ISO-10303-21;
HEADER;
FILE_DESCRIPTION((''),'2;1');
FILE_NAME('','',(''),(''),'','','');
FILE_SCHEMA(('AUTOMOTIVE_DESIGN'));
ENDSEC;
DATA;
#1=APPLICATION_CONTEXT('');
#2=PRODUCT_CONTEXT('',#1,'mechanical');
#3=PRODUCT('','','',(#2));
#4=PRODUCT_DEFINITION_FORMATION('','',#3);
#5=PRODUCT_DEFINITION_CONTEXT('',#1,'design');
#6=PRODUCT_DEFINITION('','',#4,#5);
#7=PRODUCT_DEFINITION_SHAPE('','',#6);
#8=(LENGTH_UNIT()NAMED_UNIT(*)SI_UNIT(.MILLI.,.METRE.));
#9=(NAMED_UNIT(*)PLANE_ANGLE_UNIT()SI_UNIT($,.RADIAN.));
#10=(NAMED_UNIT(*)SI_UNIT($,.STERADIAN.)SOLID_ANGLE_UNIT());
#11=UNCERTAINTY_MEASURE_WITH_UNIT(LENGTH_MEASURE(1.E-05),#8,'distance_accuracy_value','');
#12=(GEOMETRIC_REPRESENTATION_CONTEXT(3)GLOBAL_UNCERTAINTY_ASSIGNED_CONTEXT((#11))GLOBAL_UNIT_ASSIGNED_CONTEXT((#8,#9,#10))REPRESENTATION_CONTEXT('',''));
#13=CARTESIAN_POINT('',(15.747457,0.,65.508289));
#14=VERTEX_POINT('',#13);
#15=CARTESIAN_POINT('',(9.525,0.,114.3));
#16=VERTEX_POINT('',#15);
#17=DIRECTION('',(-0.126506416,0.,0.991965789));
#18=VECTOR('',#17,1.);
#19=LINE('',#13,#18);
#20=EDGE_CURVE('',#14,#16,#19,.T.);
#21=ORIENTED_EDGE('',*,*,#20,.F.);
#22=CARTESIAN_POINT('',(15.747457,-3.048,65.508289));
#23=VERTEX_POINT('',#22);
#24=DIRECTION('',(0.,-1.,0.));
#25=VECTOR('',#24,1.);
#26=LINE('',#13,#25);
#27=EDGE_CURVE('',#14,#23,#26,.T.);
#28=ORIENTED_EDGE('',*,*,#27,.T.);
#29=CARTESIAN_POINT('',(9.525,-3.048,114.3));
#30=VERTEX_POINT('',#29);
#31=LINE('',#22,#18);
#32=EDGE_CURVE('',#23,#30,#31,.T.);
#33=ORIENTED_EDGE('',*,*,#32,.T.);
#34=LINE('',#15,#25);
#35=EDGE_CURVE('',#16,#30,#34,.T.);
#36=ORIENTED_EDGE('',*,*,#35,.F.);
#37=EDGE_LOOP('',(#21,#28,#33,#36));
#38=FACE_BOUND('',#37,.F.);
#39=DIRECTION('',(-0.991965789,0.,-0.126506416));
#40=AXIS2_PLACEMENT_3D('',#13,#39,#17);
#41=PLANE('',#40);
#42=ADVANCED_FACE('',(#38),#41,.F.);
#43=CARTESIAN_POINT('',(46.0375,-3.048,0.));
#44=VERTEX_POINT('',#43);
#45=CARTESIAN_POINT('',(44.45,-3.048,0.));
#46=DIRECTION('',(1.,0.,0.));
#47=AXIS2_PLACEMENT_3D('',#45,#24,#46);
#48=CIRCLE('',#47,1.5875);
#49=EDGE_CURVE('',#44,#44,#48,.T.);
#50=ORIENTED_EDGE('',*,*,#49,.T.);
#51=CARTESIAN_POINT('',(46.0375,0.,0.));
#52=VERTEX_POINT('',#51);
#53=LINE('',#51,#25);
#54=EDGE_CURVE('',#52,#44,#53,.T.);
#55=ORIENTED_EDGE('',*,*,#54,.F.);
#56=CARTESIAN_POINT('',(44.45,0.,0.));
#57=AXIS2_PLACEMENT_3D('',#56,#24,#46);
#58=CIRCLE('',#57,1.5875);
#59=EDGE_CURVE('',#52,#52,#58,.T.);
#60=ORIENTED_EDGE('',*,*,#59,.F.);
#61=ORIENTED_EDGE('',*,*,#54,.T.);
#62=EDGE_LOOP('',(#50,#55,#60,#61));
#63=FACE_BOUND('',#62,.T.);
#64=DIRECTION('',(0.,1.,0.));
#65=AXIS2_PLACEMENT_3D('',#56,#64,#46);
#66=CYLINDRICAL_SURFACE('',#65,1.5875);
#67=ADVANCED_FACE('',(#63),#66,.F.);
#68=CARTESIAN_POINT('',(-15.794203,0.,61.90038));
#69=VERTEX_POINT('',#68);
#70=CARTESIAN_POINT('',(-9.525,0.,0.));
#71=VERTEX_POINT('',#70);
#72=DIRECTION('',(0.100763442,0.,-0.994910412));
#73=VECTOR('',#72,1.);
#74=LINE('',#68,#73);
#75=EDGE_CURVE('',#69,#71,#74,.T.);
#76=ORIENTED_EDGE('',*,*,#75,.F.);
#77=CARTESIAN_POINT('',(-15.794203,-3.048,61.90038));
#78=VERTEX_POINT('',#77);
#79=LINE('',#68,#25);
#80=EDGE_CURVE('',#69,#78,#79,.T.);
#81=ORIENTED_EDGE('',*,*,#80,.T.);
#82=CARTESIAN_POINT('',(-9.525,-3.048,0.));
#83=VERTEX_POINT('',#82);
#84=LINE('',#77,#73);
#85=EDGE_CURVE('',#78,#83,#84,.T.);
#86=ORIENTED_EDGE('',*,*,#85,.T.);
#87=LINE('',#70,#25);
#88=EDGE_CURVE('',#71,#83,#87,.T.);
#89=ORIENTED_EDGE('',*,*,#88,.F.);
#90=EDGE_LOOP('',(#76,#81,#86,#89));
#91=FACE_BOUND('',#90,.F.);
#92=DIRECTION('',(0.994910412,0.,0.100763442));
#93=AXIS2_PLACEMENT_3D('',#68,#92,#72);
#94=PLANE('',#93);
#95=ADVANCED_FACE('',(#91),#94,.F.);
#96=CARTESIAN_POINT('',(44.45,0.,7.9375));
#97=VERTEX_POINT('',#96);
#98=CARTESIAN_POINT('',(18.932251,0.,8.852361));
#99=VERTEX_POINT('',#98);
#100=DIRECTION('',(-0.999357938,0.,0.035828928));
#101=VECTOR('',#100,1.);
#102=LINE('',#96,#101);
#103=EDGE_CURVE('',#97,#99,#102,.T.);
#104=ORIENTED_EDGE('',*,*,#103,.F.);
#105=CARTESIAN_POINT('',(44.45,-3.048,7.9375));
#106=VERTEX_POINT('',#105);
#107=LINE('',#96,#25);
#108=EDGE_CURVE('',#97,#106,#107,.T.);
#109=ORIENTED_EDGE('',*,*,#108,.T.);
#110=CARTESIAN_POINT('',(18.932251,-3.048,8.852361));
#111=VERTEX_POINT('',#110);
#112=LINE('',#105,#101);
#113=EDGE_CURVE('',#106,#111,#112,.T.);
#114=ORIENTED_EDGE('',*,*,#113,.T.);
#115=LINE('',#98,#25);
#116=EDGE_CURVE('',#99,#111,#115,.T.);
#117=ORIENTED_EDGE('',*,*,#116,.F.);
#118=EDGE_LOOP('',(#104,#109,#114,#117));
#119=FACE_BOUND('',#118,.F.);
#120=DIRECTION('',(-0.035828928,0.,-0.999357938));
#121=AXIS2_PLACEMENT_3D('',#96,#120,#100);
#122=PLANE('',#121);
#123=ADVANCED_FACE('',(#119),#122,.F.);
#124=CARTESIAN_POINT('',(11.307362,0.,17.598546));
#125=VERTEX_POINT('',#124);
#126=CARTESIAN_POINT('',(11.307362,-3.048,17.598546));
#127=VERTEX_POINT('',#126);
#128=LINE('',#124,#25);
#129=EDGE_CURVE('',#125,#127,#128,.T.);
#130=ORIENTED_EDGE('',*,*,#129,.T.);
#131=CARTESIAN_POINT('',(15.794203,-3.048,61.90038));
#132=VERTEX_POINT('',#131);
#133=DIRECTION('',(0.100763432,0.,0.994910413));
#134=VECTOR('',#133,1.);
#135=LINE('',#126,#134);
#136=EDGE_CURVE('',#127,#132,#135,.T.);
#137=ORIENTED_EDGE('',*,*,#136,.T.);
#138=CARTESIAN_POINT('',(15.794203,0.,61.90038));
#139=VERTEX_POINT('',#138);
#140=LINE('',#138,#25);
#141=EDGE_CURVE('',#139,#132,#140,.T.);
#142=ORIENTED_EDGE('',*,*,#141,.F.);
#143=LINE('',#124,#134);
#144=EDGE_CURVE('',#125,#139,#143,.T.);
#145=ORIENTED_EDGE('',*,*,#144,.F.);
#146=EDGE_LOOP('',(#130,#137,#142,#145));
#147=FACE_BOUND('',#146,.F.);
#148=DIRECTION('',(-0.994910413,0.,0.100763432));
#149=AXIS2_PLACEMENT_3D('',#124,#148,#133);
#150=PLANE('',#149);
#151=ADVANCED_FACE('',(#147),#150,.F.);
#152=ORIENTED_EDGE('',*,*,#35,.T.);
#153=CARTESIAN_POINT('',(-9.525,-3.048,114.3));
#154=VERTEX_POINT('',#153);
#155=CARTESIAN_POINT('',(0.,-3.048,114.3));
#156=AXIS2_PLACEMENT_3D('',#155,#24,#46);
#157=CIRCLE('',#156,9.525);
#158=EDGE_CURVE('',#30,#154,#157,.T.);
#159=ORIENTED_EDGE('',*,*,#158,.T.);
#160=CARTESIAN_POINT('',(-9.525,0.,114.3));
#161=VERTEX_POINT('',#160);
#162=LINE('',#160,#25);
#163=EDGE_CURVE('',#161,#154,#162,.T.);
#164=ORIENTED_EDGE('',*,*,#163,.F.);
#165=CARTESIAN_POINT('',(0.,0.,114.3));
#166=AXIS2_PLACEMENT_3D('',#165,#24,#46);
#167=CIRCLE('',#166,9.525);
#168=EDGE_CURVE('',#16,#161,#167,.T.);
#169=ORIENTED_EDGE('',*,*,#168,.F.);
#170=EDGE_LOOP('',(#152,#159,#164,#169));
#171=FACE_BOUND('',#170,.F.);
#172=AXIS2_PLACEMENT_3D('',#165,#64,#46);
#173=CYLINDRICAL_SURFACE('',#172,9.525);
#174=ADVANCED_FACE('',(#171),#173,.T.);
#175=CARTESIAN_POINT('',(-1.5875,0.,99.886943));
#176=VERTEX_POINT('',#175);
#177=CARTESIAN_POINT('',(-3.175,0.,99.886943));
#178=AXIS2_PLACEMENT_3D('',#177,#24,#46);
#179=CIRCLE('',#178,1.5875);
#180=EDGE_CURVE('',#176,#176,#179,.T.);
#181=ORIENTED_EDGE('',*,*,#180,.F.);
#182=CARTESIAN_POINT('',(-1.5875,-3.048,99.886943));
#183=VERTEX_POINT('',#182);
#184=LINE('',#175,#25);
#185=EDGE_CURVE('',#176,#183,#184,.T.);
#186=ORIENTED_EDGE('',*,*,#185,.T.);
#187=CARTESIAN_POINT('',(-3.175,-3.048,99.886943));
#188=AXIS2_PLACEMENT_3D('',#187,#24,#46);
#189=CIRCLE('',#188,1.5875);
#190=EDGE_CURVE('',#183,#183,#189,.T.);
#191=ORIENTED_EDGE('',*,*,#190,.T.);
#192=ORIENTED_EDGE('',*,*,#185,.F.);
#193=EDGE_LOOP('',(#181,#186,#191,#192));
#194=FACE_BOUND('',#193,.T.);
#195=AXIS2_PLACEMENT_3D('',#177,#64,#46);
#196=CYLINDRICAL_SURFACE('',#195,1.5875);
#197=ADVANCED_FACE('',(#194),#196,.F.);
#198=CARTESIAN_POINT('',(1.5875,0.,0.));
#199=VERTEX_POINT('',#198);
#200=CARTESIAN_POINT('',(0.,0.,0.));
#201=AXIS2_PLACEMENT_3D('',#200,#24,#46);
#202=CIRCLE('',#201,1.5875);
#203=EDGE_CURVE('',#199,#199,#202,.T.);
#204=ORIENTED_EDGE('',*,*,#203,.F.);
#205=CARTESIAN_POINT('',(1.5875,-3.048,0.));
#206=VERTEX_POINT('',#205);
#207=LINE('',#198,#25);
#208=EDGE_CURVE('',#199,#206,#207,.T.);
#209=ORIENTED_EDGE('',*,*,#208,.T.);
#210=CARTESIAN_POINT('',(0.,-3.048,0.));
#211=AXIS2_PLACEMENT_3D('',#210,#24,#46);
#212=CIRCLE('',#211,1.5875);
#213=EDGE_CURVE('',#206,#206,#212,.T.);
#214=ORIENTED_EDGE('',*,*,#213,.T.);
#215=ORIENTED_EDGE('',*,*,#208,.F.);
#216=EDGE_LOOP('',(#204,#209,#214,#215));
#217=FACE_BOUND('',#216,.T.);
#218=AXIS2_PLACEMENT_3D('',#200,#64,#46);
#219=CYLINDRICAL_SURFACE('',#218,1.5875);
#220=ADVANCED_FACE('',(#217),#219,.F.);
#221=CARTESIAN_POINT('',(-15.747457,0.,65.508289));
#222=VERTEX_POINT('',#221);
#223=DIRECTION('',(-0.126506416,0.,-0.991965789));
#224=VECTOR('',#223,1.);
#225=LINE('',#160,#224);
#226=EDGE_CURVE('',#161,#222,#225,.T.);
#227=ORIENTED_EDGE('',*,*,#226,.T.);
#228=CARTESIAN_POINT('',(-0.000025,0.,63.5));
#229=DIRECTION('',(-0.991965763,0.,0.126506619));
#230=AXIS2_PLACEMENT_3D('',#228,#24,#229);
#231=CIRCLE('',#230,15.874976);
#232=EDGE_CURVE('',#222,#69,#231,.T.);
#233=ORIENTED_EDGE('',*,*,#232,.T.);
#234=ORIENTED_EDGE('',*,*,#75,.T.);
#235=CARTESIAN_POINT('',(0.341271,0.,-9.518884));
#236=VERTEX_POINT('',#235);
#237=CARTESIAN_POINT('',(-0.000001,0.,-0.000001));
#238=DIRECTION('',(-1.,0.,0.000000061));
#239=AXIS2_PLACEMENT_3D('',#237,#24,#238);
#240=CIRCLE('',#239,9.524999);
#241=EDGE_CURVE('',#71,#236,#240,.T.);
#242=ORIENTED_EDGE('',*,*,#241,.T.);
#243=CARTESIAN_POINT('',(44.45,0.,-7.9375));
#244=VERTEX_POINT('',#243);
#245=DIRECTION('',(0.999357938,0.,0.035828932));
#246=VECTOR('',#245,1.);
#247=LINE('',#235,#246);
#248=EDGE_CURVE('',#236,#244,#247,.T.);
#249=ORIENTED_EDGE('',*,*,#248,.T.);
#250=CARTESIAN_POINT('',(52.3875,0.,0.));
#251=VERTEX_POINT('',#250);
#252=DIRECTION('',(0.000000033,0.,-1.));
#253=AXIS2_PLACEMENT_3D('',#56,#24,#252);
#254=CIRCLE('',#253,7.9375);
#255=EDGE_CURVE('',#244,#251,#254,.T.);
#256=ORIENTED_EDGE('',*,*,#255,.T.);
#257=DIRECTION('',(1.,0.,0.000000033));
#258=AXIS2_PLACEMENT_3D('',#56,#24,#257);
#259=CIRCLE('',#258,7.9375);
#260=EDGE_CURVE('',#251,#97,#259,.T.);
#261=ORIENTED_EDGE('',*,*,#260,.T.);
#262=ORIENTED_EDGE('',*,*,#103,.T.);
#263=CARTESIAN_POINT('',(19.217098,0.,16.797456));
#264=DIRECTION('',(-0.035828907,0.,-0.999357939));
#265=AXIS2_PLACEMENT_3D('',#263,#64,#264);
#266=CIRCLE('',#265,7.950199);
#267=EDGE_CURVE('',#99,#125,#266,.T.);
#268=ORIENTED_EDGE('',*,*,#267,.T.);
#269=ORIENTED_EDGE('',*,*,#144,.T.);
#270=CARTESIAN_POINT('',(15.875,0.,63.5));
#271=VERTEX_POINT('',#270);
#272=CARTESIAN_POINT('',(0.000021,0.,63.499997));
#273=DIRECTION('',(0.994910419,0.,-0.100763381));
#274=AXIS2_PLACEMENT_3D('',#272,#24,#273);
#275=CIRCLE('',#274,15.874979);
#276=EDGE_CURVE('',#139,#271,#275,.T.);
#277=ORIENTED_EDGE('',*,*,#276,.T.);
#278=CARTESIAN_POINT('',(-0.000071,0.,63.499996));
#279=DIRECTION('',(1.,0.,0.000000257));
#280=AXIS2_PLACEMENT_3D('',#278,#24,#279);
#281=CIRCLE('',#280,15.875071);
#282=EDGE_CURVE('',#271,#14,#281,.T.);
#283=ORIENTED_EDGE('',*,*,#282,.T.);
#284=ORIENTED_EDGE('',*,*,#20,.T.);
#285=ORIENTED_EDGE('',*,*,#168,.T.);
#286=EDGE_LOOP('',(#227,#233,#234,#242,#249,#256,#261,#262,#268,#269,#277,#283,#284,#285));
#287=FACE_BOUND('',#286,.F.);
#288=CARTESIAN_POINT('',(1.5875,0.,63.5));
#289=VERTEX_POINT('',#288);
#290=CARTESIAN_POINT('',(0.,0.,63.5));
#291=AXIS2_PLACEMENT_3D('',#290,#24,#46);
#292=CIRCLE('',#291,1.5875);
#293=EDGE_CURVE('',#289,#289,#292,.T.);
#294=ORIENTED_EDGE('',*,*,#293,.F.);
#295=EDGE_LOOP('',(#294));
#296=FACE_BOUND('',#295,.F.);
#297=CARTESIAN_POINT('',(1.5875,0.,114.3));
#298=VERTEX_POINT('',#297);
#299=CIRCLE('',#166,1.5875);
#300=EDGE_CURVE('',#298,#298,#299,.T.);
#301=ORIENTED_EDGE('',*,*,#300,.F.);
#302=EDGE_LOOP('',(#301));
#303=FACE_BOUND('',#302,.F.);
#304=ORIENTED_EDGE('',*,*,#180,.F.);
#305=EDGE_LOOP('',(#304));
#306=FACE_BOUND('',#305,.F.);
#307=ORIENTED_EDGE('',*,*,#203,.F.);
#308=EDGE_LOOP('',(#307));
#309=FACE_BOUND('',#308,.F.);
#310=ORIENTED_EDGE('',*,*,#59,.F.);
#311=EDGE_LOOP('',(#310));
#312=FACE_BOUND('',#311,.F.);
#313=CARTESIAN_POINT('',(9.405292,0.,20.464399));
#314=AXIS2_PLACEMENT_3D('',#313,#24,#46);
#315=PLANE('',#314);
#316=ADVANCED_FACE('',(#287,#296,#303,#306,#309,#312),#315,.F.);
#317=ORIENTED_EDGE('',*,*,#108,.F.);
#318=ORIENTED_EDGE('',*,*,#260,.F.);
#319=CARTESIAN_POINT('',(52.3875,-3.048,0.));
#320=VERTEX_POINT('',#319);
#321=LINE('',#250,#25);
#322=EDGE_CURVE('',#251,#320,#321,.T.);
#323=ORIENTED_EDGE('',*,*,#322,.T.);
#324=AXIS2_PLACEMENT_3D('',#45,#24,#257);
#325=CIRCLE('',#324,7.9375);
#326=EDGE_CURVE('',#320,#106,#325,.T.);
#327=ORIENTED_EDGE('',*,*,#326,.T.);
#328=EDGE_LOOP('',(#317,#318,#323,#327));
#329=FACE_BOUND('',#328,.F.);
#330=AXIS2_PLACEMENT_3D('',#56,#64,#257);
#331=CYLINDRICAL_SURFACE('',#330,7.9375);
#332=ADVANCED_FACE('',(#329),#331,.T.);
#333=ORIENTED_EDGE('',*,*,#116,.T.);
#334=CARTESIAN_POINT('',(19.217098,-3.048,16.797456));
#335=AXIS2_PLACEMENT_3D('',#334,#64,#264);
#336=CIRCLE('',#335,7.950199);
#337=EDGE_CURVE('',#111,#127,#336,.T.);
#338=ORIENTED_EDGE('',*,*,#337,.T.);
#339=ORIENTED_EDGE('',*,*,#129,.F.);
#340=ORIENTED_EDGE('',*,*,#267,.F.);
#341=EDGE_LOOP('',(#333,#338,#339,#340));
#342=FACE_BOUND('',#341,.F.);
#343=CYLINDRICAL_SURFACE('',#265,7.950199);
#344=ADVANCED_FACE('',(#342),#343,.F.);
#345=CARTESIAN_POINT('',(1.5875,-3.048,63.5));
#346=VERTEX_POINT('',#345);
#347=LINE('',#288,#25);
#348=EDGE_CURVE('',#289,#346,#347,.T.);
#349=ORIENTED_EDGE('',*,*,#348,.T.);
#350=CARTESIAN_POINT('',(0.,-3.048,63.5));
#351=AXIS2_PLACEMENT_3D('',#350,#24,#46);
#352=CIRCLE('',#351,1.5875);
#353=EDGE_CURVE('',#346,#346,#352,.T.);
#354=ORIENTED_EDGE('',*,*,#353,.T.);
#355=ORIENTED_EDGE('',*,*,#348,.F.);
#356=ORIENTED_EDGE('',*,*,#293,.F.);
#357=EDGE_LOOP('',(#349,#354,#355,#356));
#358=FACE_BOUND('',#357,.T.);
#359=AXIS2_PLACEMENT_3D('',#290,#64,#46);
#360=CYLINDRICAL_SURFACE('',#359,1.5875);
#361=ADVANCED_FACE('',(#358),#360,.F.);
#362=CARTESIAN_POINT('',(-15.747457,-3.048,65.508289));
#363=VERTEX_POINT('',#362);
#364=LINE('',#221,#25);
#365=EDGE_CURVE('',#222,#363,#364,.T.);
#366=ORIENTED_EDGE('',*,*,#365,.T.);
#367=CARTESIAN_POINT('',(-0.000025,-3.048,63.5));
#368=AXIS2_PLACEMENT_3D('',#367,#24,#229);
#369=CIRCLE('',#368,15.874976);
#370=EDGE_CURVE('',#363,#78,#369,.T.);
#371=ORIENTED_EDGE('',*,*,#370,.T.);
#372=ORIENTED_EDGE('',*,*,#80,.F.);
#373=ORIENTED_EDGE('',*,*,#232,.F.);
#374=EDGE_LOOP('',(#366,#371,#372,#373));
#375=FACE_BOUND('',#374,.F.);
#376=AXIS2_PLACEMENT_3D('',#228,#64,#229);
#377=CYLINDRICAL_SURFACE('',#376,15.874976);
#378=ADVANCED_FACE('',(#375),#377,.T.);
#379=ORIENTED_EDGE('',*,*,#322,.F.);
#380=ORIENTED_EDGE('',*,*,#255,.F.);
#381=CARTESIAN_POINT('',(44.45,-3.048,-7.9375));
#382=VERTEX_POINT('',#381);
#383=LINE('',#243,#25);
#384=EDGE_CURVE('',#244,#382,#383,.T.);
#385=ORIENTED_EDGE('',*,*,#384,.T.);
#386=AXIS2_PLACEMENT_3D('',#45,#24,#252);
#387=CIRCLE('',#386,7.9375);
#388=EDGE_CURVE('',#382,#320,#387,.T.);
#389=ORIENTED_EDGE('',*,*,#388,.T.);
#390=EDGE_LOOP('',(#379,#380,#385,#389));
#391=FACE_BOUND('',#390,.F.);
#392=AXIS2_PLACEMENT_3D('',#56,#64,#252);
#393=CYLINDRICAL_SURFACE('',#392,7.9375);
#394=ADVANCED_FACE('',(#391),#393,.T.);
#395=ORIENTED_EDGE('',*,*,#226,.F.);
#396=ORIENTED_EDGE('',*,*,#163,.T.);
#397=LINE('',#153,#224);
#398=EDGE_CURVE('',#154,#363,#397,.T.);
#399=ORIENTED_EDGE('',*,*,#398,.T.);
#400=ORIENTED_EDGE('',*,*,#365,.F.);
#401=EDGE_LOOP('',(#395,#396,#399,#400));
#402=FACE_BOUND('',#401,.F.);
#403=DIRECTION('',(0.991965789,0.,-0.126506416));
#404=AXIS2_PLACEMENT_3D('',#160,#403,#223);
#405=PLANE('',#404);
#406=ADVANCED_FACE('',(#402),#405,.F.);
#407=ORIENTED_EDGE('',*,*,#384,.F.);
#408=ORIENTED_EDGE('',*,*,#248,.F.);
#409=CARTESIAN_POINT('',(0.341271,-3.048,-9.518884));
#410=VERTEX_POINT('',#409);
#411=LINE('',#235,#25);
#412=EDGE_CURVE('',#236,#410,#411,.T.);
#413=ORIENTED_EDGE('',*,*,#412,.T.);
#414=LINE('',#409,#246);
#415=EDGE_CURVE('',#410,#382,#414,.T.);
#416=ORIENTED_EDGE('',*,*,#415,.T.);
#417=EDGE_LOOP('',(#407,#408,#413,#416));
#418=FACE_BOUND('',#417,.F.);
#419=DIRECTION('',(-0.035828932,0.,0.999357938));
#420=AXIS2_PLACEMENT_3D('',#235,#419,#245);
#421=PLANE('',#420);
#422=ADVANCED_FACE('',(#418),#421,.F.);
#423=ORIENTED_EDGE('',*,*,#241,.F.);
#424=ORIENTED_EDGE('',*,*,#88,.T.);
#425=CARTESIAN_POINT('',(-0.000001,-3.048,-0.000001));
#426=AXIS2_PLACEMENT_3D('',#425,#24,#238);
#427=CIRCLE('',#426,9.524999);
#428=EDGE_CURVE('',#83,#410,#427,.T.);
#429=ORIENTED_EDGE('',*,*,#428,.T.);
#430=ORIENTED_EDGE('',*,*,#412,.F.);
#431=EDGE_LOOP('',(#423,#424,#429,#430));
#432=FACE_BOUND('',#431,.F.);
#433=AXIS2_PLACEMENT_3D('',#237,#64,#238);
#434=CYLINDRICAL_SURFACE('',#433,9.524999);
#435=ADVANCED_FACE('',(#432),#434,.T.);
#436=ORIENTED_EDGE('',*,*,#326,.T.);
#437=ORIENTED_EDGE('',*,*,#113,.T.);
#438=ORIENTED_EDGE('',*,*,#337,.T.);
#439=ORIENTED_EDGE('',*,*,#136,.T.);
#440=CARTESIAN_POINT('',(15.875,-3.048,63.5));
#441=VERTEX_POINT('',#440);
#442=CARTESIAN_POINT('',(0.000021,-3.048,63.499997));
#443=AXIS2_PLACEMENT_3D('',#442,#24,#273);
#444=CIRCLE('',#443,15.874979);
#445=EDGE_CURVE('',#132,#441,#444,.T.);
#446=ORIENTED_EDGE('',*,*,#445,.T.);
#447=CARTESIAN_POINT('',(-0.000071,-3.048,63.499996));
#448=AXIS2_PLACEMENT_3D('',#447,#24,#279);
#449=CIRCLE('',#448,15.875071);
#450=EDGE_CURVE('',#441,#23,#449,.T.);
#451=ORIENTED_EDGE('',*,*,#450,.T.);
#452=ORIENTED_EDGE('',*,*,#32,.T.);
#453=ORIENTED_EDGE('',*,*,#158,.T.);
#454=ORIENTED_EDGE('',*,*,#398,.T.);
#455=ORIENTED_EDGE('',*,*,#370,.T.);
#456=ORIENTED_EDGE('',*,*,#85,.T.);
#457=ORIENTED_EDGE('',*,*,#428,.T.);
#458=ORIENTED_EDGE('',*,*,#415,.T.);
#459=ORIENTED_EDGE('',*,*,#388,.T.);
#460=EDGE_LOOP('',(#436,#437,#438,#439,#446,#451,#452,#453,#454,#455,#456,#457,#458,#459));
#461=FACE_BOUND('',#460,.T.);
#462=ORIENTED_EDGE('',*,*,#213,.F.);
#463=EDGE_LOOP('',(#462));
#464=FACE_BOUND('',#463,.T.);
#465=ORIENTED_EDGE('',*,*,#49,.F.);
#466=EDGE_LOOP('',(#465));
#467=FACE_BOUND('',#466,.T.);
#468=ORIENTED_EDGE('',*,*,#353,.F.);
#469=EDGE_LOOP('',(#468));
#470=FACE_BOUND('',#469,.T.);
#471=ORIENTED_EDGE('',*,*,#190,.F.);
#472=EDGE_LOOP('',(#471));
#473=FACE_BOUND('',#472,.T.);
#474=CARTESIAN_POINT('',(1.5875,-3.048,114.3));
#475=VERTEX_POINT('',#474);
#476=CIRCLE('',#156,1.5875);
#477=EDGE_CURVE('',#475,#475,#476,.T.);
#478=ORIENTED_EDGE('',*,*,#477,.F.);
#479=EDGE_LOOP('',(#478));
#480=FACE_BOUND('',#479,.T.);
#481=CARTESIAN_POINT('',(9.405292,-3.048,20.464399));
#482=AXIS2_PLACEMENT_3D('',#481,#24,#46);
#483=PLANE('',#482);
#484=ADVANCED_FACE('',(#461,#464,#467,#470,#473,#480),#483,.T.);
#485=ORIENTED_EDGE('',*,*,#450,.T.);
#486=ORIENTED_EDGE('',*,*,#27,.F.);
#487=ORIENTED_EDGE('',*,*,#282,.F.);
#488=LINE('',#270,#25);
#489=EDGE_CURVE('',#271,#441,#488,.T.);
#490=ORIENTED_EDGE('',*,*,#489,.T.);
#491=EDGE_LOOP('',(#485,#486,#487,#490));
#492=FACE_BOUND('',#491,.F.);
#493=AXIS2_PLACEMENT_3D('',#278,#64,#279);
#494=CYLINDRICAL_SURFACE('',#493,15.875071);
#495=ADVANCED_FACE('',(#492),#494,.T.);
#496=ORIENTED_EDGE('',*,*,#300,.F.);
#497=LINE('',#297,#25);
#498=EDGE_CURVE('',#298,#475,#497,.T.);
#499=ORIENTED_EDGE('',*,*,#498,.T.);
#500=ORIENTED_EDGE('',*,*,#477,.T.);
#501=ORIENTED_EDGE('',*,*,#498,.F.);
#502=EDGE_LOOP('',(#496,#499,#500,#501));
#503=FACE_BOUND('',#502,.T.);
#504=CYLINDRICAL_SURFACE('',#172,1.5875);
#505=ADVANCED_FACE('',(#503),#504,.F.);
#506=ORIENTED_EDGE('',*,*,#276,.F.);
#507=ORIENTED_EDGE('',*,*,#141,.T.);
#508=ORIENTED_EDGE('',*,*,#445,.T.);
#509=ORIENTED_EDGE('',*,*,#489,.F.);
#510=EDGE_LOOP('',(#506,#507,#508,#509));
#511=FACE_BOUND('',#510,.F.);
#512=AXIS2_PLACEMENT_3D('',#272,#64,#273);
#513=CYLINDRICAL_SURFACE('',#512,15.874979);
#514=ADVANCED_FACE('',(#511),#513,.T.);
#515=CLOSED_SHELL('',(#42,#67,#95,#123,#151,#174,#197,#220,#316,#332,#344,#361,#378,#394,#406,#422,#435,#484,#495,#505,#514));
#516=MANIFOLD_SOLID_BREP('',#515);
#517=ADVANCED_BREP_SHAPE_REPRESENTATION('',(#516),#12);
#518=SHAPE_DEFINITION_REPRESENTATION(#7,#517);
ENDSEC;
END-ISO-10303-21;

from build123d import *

# Parameters (mm, degrees)
F0_R     = 1.5875
F1_DEPTH = 3.048


with BuildPart() as f1:
    # F0 (on Front) → F1 (new body)
    with BuildSketch(Plane.XZ):
        with BuildLine():
            ThreePointArc((15.794203, 61.90038), (0, 47.625), (-15.794203, 61.90038))
            Line((-15.794203, 61.90038), (-9.525, 0))
            ThreePointArc((-9.525, 0), (0, 9.525), (9.525, 0))
            ThreePointArc((9.525, 0), (6.854788, -6.613434), (0.341271, -9.518884))
            Line((0.341271, -9.518884), (44.45, -7.9375))
            ThreePointArc((44.45, -7.9375), (36.5125, 0), (44.45, 7.9375))
            Line((44.45, 7.9375), (18.932251, 8.852361))
            ThreePointArc((18.932251, 8.852361), (13.224458, 11.573096), (11.307362, 17.598546))
            Line((11.307362, 17.598546), (15.794203, 61.90038))
        make_face()
        with BuildLine():
            Line((15.747457, 65.508289), (9.525, 114.3))
            ThreePointArc((9.525, 114.3), (0, 104.775), (-9.525, 114.3))
            Line((-9.525, 114.3), (-15.747457, 65.508289))
            ThreePointArc((-15.747457, 65.508289), (0, 79.375), (15.747457, 65.508289))
        make_face()
        with Locations((-3.175, 99.886943)):
            Circle(F0_R, mode=Mode.SUBTRACT)
        with BuildLine():
            ThreePointArc((15.875, 63.5), (15.843082, 64.506168), (15.747457, 65.508289))
            ThreePointArc((15.747457, 65.508289), (0, 79.375), (-15.747457, 65.508289))
            ThreePointArc((-15.747457, 65.508289), (-15.873668, 63.705667), (-15.794203, 61.90038))
            ThreePointArc((-15.794203, 61.90038), (0, 47.625), (15.794203, 61.90038))
            ThreePointArc((15.794203, 61.90038), (15.854788, 62.699171), (15.875, 63.5))
        make_face()
        with Locations((0, 63.5)):
            Circle(F0_R, mode=Mode.SUBTRACT)
        with BuildLine():
            ThreePointArc((-9.525, 114.3), (0, 104.775), (9.525, 114.3))
            ThreePointArc((9.525, 114.3), (0, 123.825), (-9.525, 114.3))
        make_face()
        with Locations((0, 114.3)):
            Circle(F0_R, mode=Mode.SUBTRACT)
        with BuildLine():
            ThreePointArc((9.525, 0), (0, 9.525), (-9.525, 0))
            ThreePointArc((-9.525, 0), (-6.613434, -6.854788), (0.341271, -9.518884))
            ThreePointArc((0.341271, -9.518884), (6.854788, -6.613434), (9.525, 0))
        make_face()
        Circle(F0_R, mode=Mode.SUBTRACT)
        with BuildLine():
            ThreePointArc((44.45, 7.9375), (36.5125, 0), (44.45, -7.9375))
            ThreePointArc((44.45, -7.9375), (50.06266, -5.61266), (52.3875, 0))
            ThreePointArc((52.3875, 0), (50.06266, 5.61266), (44.45, 7.9375))
        make_face()
        with Locations((44.45, 0)):
            Circle(F0_R, mode=Mode.SUBTRACT)
    extrude(amount=F1_DEPTH)


solid = f1.part
